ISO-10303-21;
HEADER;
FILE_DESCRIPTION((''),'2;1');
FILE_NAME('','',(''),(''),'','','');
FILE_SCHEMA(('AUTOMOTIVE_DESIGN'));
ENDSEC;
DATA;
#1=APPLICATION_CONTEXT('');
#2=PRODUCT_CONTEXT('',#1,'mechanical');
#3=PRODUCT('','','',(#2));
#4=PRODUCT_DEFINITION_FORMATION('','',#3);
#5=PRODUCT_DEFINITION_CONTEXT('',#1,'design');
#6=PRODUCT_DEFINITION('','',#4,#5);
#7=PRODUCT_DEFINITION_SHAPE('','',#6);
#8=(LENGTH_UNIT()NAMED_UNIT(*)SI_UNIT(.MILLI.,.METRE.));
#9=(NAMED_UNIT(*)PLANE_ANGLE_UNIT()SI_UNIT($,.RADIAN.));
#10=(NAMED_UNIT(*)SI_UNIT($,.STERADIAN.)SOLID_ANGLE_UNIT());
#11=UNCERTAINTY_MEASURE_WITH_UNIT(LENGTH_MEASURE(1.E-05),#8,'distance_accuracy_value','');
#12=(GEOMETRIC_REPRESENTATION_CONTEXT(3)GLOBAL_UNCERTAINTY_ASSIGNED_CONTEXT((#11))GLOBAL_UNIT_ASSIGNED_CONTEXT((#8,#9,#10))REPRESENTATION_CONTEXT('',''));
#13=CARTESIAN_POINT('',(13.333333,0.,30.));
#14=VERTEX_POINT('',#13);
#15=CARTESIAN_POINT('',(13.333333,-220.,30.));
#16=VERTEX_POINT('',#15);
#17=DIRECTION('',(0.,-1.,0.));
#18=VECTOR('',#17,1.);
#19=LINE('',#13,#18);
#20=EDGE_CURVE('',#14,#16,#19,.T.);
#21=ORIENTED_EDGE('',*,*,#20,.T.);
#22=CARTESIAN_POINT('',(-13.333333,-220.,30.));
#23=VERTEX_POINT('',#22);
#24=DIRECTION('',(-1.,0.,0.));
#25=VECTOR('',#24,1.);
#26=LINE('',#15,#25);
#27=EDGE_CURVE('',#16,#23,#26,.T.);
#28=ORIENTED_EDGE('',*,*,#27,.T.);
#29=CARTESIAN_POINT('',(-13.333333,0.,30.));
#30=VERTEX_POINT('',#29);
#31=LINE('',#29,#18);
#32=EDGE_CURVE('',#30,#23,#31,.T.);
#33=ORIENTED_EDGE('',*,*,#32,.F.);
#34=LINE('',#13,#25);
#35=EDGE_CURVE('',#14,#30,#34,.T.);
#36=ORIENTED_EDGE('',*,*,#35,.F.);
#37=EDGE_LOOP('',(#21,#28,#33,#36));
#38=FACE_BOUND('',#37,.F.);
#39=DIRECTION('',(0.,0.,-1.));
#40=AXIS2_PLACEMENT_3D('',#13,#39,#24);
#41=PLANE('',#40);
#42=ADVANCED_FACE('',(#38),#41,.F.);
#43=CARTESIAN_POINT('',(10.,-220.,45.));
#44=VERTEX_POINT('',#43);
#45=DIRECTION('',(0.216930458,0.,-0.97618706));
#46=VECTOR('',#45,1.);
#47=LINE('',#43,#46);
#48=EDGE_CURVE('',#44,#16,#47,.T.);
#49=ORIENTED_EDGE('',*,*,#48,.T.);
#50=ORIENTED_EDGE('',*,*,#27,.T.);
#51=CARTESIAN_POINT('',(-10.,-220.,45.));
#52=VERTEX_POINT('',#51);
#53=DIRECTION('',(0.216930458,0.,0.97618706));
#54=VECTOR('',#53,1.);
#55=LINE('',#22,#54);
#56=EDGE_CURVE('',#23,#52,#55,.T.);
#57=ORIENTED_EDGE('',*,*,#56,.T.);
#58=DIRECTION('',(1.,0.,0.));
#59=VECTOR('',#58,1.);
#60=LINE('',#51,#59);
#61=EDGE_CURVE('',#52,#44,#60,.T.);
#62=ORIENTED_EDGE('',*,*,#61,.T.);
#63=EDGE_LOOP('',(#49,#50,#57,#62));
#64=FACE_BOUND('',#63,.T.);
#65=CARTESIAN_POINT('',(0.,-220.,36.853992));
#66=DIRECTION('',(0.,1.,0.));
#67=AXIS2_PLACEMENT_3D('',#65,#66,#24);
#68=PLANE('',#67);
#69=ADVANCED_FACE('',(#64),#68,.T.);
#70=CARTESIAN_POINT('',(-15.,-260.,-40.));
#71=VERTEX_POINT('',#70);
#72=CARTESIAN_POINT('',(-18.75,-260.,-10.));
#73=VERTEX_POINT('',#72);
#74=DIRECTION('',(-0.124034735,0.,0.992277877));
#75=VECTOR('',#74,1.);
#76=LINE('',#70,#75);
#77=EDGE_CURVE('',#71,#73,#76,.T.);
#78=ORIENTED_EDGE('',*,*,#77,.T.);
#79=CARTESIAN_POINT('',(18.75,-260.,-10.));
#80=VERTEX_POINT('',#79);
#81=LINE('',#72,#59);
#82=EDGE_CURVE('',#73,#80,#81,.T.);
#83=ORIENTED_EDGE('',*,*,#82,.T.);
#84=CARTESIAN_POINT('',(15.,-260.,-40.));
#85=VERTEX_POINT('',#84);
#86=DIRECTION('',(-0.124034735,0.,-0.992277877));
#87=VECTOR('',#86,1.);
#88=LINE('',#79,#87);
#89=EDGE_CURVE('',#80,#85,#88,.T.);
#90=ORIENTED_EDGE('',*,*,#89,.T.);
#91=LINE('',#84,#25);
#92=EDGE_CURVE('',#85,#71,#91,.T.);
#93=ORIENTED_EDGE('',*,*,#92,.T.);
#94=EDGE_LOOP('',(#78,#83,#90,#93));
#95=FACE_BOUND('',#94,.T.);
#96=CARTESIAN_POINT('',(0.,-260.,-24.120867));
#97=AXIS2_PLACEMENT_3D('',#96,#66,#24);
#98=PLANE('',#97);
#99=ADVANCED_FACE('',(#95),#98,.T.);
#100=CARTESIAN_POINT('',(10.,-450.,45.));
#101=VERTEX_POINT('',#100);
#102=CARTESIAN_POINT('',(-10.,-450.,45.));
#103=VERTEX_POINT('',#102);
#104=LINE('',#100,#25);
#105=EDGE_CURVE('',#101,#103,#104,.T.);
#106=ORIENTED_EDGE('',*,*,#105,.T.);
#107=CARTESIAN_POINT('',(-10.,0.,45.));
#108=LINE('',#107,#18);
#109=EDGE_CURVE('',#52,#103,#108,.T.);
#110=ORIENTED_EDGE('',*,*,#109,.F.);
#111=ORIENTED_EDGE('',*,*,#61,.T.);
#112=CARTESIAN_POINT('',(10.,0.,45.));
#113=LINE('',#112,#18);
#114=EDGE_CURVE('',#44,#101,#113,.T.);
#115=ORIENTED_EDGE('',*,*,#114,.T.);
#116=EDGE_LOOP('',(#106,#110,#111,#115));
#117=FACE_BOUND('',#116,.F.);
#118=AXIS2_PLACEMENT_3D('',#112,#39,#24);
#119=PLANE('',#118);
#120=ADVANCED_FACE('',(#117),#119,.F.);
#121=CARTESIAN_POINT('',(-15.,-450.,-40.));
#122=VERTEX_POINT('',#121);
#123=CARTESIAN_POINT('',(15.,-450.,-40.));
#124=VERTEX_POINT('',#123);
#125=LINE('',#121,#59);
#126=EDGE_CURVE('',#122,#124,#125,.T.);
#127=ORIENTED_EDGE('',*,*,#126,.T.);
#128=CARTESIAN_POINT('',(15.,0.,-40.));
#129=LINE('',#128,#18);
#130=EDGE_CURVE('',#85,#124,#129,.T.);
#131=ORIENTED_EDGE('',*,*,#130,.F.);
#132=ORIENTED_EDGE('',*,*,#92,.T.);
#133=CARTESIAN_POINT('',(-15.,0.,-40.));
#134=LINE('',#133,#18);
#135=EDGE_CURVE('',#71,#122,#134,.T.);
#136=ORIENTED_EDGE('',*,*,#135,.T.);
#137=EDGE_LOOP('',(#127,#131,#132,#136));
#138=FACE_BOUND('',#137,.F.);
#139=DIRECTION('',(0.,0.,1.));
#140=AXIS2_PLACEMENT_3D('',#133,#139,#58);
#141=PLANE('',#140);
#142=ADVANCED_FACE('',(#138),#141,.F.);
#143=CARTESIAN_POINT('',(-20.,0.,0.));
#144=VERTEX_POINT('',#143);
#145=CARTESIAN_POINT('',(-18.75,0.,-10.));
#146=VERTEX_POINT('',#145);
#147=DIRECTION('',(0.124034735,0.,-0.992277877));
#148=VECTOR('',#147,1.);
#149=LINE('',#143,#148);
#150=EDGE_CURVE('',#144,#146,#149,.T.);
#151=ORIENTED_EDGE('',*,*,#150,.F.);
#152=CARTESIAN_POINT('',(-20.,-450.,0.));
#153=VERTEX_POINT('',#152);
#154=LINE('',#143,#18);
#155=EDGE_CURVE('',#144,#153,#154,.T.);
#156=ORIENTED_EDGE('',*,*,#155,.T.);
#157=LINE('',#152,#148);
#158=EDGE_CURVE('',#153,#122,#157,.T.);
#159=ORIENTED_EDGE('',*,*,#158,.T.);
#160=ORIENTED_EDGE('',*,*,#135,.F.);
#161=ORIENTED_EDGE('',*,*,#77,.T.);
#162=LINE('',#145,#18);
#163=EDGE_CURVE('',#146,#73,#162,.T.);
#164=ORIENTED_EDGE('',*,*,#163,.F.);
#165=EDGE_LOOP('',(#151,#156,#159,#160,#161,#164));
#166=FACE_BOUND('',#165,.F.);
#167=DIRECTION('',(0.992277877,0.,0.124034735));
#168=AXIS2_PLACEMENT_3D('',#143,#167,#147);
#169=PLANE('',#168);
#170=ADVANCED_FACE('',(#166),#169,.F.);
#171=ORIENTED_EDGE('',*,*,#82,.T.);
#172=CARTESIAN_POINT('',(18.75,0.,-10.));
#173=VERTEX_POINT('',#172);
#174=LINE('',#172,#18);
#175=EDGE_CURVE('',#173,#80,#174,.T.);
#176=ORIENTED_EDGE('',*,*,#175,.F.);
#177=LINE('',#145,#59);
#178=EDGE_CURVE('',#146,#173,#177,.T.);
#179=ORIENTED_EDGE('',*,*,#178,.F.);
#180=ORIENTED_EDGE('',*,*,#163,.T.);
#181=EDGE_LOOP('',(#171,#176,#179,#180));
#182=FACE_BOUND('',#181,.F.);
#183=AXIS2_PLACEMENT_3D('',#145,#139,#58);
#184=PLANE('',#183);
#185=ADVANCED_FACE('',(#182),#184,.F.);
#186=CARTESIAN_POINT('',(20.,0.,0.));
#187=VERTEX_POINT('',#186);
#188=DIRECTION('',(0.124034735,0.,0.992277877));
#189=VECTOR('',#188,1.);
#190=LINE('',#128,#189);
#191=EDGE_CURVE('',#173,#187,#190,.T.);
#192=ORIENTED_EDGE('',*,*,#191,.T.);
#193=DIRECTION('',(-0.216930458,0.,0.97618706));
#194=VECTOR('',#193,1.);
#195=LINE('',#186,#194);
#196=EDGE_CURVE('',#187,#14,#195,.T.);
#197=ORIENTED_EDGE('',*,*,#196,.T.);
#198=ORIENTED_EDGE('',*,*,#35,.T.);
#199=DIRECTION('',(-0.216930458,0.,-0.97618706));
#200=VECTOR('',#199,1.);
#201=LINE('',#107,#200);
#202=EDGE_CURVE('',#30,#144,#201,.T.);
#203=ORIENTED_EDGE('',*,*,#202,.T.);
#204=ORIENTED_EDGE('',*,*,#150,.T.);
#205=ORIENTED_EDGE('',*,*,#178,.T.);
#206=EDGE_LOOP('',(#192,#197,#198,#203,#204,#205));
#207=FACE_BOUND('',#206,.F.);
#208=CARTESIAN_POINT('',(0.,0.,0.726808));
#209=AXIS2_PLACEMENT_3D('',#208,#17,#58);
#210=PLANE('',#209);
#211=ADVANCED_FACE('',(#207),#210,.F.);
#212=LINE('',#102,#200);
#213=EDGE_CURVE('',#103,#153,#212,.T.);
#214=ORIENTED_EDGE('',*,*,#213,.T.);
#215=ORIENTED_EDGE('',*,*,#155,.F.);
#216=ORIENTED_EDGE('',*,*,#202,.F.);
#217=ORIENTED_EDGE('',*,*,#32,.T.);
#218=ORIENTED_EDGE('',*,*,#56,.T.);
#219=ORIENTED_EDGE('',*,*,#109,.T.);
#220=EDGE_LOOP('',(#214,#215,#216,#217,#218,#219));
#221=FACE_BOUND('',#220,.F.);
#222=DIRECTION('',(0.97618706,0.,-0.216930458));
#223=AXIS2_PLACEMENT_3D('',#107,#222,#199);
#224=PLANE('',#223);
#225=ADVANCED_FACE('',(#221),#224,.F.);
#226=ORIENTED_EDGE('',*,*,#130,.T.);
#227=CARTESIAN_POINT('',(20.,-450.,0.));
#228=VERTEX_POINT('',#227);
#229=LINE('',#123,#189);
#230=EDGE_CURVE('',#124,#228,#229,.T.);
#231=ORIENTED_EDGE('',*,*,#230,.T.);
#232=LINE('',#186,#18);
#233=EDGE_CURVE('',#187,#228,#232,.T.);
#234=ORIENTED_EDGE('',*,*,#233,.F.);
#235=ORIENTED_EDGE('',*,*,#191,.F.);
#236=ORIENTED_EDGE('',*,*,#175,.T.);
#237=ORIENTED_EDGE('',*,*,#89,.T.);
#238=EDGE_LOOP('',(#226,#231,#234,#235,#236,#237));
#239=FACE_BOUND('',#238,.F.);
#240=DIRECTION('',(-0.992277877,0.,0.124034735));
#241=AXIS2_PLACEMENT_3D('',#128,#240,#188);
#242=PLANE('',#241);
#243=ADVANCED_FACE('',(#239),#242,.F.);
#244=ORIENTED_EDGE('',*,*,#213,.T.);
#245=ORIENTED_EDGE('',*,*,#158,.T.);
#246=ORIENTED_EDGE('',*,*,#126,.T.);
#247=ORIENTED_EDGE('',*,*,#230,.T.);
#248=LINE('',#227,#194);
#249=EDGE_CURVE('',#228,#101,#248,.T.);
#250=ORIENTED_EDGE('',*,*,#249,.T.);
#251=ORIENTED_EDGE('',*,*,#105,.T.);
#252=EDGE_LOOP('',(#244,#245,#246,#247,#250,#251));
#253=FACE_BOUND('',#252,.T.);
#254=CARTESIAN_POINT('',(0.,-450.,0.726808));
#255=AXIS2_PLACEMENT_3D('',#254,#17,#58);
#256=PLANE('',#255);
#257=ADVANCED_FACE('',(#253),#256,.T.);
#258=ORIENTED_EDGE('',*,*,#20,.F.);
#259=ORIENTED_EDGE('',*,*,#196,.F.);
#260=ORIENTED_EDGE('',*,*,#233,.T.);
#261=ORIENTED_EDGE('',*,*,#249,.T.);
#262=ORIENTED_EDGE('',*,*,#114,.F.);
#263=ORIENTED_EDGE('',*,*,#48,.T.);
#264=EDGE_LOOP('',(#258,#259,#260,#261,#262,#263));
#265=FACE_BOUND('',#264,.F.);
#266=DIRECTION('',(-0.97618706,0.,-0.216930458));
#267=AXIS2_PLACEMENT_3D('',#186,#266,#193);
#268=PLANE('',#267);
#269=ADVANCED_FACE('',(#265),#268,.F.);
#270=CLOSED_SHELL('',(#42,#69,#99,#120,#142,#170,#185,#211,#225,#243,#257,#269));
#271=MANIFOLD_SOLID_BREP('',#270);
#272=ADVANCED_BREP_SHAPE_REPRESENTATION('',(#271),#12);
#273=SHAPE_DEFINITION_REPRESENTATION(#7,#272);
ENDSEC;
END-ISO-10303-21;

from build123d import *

# Parameters (mm, degrees)
F1_DEPTH = 450
F3_DEPTH = 220
F5_DEPTH = 260


with BuildPart() as f1:
    # F0 (on Front) → F1 (new body)
    with BuildSketch(Plane.XZ):
        Polygon((10, 45), (-10, 45), (-20, 0), (-15, -40), (15, -40), (20, 0), align=None)
    extrude(amount=F1_DEPTH)

    # F2 (on face) → F3 (cut)
    with BuildSketch(Plane(origin=(0, 0, 0), x_dir=(-1, 0, 0), z_dir=(0, 1, 0))):
        Polygon((-10, 45), (-13.3333333333, 30), (13.3333333333, 30), (10, 45), align=None)
    extrude(amount=-F3_DEPTH, mode=Mode.SUBTRACT)

    # F4 (on face) → F5 (cut)
    with BuildSketch(Plane(origin=(0, 0, 0), x_dir=(-1, 0, 0), z_dir=(0, 1, 0))):
        Polygon((18.75, -10), (-18.75, -10), (-15, -40), (15, -40), align=None)
    extrude(amount=-F5_DEPTH, mode=Mode.SUBTRACT)


solid = f1.part
